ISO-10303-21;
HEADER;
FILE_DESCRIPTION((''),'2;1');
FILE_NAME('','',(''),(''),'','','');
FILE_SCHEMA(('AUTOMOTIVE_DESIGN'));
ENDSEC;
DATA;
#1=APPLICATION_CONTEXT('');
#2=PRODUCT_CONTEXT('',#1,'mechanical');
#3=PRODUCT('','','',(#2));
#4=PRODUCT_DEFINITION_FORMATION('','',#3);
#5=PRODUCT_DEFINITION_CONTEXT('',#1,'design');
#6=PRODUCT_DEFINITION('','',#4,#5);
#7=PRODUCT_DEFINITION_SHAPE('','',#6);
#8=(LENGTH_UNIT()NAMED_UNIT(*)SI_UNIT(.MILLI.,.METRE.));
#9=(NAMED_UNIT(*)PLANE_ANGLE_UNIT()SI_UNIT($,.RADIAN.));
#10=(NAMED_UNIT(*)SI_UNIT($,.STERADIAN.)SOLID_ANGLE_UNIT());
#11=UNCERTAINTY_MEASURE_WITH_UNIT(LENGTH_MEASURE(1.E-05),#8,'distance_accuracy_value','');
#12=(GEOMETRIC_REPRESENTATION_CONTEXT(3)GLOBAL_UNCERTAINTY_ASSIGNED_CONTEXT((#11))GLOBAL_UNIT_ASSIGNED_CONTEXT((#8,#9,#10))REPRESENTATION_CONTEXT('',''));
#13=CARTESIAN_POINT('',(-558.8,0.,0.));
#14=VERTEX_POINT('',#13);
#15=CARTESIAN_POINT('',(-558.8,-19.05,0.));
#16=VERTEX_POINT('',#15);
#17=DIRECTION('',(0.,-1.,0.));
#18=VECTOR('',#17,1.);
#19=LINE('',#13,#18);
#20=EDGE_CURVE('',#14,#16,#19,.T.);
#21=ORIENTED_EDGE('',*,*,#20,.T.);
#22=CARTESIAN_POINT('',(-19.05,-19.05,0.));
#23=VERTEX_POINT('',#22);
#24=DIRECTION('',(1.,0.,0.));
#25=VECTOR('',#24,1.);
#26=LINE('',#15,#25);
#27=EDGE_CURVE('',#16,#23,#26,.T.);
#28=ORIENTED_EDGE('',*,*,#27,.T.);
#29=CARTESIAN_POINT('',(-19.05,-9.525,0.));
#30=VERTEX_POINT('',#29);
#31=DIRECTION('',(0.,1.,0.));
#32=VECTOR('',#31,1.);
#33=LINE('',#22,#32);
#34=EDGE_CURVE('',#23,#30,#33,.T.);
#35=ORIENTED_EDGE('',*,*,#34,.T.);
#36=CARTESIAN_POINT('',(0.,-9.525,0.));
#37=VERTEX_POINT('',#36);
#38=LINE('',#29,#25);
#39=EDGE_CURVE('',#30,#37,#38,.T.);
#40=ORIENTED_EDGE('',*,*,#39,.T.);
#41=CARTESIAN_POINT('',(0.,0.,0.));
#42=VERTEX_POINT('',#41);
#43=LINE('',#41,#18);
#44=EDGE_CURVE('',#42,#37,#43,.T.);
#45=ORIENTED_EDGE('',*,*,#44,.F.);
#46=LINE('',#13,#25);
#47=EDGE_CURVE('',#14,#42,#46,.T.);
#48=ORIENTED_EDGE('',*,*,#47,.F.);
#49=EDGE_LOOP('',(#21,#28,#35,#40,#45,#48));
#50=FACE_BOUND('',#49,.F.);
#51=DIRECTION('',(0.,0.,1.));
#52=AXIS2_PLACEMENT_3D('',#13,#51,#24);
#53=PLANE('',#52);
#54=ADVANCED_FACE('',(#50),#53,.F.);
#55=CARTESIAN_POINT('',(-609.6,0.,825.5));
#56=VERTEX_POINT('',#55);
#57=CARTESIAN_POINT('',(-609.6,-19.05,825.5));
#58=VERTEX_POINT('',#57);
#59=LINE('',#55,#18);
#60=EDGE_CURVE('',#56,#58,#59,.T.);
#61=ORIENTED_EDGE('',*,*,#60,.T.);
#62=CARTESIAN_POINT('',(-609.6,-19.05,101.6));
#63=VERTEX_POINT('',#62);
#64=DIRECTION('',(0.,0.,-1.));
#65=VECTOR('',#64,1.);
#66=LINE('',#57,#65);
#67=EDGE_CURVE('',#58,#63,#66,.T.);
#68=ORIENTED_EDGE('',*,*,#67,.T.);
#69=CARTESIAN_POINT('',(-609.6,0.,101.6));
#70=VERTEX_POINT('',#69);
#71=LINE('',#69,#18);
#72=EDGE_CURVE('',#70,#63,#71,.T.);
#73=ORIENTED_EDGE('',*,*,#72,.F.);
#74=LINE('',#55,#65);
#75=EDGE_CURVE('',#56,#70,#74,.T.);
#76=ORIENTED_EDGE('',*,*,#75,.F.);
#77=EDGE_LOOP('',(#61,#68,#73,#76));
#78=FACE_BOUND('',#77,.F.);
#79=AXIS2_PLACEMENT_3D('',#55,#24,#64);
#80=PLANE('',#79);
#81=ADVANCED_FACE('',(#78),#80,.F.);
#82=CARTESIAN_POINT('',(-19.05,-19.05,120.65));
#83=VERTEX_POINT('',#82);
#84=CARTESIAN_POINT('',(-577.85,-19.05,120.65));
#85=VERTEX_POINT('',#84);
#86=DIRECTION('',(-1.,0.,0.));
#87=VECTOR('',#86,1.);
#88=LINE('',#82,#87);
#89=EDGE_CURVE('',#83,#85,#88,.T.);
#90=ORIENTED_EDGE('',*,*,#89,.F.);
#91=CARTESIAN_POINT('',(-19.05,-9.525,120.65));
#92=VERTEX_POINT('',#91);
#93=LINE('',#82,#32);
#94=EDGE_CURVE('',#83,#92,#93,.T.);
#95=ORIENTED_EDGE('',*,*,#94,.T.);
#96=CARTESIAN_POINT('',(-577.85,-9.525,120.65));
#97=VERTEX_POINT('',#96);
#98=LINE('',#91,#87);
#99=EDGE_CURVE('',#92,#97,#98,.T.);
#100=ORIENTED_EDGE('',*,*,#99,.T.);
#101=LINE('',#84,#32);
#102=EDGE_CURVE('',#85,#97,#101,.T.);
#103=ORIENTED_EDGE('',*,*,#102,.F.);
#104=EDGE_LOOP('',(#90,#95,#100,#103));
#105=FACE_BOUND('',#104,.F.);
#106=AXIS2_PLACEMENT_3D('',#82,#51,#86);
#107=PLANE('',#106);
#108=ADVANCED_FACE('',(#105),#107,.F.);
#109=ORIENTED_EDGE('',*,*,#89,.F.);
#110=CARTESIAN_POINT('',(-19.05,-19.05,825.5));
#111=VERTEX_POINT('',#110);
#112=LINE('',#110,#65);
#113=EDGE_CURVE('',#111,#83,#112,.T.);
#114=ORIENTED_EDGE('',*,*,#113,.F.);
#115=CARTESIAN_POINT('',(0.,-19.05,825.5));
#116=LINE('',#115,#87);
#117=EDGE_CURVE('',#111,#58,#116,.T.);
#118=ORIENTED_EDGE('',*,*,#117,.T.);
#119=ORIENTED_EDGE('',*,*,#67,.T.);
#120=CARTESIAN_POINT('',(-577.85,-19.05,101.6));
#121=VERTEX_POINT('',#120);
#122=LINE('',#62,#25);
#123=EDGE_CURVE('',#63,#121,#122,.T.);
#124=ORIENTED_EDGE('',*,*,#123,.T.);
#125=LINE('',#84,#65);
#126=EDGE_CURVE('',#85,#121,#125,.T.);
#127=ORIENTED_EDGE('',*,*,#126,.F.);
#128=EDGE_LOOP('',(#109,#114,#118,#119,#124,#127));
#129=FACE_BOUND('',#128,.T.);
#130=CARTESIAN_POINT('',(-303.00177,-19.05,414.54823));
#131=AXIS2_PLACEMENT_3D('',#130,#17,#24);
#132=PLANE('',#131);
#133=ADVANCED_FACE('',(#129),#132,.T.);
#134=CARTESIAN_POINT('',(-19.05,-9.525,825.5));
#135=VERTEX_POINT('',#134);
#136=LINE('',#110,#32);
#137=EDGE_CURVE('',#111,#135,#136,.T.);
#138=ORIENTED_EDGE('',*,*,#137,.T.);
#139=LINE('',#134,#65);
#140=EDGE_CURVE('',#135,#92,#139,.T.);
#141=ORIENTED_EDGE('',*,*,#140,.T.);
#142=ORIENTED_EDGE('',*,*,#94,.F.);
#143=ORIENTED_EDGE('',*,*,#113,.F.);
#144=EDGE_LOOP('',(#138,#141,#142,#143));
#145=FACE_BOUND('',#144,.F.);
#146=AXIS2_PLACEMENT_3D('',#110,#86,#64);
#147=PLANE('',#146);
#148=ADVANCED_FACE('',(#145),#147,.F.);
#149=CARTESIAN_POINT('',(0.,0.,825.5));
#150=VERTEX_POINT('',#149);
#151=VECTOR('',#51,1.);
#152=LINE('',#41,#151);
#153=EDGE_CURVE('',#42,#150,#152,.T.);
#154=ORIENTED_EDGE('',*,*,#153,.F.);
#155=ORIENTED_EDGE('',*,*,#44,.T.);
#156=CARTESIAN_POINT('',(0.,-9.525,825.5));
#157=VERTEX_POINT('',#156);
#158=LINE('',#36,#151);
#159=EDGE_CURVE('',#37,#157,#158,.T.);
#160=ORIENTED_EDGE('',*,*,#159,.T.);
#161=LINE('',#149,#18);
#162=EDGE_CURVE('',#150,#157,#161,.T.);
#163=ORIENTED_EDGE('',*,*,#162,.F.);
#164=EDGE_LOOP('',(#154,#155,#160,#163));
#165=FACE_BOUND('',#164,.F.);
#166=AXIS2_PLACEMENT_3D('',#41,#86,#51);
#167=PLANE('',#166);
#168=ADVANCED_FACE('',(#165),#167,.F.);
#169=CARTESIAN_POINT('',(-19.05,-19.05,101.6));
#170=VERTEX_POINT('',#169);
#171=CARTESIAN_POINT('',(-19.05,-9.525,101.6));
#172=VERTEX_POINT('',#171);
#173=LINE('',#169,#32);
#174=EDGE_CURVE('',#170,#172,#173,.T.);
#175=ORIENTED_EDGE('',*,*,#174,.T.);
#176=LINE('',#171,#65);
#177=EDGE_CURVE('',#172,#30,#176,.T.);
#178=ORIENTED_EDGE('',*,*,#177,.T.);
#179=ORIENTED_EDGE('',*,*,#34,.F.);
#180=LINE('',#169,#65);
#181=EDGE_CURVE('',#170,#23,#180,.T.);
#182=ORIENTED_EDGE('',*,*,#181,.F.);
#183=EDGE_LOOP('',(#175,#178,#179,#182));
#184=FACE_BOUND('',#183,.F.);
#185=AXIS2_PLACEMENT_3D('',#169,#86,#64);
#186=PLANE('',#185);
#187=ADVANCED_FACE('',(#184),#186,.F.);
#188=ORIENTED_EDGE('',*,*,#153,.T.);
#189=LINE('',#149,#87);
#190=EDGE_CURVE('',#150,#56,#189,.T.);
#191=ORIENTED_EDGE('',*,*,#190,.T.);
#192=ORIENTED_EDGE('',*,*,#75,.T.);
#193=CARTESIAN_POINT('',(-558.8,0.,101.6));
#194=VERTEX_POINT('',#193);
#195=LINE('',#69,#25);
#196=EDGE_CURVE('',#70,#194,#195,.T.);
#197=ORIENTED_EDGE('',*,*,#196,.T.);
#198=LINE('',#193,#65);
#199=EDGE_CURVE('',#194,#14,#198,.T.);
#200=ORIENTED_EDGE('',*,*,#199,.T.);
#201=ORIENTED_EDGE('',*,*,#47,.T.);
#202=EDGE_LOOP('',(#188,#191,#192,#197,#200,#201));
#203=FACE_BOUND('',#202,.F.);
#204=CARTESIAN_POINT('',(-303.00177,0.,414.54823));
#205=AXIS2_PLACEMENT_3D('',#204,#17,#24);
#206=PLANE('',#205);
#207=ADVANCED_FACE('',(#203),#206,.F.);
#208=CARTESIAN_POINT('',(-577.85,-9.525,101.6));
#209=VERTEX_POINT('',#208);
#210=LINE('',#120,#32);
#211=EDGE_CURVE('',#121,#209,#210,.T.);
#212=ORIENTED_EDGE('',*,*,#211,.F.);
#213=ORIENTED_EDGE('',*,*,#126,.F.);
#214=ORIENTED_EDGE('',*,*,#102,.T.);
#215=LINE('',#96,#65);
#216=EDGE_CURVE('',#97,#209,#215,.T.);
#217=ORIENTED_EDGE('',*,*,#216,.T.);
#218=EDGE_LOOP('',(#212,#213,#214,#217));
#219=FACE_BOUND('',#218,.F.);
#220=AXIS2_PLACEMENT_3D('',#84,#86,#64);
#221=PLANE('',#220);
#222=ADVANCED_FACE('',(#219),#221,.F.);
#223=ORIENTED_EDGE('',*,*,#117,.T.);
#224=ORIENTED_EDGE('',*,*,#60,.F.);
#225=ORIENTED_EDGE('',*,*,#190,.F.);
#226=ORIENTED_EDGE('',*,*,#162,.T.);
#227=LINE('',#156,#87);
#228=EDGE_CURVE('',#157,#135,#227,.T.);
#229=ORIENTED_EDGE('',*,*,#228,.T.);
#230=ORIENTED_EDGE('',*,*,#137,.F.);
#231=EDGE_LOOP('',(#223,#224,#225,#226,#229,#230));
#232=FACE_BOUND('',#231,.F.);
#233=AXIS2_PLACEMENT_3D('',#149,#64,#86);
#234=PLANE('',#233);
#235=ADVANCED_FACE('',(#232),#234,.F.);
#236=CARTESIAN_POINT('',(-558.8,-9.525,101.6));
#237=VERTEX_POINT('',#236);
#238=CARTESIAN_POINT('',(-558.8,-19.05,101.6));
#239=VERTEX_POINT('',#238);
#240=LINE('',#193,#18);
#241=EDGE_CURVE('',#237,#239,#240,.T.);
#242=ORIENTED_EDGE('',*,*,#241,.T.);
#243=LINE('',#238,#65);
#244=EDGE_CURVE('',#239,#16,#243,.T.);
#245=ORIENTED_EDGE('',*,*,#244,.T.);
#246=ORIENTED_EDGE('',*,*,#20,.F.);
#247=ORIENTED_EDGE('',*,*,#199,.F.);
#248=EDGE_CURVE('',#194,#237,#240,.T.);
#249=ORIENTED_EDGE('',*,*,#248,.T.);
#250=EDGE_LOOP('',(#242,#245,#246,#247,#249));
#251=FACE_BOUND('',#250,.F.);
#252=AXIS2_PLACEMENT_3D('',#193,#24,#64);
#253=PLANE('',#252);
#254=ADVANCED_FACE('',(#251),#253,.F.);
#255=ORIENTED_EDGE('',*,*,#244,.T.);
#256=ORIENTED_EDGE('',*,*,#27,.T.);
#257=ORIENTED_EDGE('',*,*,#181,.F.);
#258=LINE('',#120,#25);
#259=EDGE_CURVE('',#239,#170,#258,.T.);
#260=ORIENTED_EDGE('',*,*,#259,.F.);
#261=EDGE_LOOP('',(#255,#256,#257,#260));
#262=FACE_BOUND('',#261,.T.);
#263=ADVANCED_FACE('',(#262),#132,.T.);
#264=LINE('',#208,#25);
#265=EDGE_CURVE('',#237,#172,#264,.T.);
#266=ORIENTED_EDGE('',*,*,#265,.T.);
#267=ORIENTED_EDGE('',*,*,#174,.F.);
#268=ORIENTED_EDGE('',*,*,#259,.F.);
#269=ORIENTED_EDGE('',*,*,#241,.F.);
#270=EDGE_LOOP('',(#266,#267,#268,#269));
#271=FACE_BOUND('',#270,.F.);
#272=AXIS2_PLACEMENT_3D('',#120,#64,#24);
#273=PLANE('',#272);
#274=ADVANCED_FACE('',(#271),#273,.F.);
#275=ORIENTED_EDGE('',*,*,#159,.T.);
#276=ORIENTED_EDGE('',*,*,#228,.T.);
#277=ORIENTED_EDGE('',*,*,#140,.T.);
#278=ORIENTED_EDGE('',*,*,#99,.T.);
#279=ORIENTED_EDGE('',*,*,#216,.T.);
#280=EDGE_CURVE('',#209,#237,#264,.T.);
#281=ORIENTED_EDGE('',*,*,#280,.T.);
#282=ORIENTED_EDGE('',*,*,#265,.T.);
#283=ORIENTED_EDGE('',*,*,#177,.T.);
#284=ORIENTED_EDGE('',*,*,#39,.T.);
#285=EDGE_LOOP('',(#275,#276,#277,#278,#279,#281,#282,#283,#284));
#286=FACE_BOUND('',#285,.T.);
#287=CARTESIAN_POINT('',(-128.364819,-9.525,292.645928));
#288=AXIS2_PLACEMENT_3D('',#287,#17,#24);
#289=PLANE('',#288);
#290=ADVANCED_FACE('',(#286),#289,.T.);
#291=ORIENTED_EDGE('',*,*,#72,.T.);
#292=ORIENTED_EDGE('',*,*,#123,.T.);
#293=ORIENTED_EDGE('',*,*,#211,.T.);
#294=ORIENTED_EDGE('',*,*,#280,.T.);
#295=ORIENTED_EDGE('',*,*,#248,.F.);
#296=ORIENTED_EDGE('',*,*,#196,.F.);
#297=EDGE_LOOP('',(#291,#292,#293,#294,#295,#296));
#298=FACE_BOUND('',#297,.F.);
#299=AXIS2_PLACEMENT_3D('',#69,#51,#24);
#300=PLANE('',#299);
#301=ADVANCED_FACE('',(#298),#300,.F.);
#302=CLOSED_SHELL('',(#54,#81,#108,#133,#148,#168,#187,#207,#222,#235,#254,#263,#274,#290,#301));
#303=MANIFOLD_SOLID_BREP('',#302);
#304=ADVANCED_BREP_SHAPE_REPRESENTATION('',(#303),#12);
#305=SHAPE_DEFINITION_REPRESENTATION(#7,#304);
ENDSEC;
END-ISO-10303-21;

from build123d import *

# Parameters (mm, degrees)
F1_DEPTH = 19.05
F3_DEPTH = 9.525


with BuildPart() as f1:
    # F0 (on Front) → F1 (new body)
    with BuildSketch(Plane.XZ):
        Polygon((-558.8, 0), (0, 0), (0, 825.5), (-609.6, 825.5), (-609.6, 101.6), (-558.8, 101.6), align=None)
    extrude(amount=F1_DEPTH)

    # F2 (on face) → F3 (cut)
    with BuildSketch(Plane.XZ.offset(19.05)):
        Polygon((0, 825.5), (-19.05, 825.5), (-19.05, 120.65), (-577.85, 120.65), (-577.85, 101.6), (-558.8, 101.6), (-19.05, 101.6), (-19.05, 0), (0, 0), align=None)
    extrude(amount=-F3_DEPTH, mode=Mode.SUBTRACT)


solid = f1.part
